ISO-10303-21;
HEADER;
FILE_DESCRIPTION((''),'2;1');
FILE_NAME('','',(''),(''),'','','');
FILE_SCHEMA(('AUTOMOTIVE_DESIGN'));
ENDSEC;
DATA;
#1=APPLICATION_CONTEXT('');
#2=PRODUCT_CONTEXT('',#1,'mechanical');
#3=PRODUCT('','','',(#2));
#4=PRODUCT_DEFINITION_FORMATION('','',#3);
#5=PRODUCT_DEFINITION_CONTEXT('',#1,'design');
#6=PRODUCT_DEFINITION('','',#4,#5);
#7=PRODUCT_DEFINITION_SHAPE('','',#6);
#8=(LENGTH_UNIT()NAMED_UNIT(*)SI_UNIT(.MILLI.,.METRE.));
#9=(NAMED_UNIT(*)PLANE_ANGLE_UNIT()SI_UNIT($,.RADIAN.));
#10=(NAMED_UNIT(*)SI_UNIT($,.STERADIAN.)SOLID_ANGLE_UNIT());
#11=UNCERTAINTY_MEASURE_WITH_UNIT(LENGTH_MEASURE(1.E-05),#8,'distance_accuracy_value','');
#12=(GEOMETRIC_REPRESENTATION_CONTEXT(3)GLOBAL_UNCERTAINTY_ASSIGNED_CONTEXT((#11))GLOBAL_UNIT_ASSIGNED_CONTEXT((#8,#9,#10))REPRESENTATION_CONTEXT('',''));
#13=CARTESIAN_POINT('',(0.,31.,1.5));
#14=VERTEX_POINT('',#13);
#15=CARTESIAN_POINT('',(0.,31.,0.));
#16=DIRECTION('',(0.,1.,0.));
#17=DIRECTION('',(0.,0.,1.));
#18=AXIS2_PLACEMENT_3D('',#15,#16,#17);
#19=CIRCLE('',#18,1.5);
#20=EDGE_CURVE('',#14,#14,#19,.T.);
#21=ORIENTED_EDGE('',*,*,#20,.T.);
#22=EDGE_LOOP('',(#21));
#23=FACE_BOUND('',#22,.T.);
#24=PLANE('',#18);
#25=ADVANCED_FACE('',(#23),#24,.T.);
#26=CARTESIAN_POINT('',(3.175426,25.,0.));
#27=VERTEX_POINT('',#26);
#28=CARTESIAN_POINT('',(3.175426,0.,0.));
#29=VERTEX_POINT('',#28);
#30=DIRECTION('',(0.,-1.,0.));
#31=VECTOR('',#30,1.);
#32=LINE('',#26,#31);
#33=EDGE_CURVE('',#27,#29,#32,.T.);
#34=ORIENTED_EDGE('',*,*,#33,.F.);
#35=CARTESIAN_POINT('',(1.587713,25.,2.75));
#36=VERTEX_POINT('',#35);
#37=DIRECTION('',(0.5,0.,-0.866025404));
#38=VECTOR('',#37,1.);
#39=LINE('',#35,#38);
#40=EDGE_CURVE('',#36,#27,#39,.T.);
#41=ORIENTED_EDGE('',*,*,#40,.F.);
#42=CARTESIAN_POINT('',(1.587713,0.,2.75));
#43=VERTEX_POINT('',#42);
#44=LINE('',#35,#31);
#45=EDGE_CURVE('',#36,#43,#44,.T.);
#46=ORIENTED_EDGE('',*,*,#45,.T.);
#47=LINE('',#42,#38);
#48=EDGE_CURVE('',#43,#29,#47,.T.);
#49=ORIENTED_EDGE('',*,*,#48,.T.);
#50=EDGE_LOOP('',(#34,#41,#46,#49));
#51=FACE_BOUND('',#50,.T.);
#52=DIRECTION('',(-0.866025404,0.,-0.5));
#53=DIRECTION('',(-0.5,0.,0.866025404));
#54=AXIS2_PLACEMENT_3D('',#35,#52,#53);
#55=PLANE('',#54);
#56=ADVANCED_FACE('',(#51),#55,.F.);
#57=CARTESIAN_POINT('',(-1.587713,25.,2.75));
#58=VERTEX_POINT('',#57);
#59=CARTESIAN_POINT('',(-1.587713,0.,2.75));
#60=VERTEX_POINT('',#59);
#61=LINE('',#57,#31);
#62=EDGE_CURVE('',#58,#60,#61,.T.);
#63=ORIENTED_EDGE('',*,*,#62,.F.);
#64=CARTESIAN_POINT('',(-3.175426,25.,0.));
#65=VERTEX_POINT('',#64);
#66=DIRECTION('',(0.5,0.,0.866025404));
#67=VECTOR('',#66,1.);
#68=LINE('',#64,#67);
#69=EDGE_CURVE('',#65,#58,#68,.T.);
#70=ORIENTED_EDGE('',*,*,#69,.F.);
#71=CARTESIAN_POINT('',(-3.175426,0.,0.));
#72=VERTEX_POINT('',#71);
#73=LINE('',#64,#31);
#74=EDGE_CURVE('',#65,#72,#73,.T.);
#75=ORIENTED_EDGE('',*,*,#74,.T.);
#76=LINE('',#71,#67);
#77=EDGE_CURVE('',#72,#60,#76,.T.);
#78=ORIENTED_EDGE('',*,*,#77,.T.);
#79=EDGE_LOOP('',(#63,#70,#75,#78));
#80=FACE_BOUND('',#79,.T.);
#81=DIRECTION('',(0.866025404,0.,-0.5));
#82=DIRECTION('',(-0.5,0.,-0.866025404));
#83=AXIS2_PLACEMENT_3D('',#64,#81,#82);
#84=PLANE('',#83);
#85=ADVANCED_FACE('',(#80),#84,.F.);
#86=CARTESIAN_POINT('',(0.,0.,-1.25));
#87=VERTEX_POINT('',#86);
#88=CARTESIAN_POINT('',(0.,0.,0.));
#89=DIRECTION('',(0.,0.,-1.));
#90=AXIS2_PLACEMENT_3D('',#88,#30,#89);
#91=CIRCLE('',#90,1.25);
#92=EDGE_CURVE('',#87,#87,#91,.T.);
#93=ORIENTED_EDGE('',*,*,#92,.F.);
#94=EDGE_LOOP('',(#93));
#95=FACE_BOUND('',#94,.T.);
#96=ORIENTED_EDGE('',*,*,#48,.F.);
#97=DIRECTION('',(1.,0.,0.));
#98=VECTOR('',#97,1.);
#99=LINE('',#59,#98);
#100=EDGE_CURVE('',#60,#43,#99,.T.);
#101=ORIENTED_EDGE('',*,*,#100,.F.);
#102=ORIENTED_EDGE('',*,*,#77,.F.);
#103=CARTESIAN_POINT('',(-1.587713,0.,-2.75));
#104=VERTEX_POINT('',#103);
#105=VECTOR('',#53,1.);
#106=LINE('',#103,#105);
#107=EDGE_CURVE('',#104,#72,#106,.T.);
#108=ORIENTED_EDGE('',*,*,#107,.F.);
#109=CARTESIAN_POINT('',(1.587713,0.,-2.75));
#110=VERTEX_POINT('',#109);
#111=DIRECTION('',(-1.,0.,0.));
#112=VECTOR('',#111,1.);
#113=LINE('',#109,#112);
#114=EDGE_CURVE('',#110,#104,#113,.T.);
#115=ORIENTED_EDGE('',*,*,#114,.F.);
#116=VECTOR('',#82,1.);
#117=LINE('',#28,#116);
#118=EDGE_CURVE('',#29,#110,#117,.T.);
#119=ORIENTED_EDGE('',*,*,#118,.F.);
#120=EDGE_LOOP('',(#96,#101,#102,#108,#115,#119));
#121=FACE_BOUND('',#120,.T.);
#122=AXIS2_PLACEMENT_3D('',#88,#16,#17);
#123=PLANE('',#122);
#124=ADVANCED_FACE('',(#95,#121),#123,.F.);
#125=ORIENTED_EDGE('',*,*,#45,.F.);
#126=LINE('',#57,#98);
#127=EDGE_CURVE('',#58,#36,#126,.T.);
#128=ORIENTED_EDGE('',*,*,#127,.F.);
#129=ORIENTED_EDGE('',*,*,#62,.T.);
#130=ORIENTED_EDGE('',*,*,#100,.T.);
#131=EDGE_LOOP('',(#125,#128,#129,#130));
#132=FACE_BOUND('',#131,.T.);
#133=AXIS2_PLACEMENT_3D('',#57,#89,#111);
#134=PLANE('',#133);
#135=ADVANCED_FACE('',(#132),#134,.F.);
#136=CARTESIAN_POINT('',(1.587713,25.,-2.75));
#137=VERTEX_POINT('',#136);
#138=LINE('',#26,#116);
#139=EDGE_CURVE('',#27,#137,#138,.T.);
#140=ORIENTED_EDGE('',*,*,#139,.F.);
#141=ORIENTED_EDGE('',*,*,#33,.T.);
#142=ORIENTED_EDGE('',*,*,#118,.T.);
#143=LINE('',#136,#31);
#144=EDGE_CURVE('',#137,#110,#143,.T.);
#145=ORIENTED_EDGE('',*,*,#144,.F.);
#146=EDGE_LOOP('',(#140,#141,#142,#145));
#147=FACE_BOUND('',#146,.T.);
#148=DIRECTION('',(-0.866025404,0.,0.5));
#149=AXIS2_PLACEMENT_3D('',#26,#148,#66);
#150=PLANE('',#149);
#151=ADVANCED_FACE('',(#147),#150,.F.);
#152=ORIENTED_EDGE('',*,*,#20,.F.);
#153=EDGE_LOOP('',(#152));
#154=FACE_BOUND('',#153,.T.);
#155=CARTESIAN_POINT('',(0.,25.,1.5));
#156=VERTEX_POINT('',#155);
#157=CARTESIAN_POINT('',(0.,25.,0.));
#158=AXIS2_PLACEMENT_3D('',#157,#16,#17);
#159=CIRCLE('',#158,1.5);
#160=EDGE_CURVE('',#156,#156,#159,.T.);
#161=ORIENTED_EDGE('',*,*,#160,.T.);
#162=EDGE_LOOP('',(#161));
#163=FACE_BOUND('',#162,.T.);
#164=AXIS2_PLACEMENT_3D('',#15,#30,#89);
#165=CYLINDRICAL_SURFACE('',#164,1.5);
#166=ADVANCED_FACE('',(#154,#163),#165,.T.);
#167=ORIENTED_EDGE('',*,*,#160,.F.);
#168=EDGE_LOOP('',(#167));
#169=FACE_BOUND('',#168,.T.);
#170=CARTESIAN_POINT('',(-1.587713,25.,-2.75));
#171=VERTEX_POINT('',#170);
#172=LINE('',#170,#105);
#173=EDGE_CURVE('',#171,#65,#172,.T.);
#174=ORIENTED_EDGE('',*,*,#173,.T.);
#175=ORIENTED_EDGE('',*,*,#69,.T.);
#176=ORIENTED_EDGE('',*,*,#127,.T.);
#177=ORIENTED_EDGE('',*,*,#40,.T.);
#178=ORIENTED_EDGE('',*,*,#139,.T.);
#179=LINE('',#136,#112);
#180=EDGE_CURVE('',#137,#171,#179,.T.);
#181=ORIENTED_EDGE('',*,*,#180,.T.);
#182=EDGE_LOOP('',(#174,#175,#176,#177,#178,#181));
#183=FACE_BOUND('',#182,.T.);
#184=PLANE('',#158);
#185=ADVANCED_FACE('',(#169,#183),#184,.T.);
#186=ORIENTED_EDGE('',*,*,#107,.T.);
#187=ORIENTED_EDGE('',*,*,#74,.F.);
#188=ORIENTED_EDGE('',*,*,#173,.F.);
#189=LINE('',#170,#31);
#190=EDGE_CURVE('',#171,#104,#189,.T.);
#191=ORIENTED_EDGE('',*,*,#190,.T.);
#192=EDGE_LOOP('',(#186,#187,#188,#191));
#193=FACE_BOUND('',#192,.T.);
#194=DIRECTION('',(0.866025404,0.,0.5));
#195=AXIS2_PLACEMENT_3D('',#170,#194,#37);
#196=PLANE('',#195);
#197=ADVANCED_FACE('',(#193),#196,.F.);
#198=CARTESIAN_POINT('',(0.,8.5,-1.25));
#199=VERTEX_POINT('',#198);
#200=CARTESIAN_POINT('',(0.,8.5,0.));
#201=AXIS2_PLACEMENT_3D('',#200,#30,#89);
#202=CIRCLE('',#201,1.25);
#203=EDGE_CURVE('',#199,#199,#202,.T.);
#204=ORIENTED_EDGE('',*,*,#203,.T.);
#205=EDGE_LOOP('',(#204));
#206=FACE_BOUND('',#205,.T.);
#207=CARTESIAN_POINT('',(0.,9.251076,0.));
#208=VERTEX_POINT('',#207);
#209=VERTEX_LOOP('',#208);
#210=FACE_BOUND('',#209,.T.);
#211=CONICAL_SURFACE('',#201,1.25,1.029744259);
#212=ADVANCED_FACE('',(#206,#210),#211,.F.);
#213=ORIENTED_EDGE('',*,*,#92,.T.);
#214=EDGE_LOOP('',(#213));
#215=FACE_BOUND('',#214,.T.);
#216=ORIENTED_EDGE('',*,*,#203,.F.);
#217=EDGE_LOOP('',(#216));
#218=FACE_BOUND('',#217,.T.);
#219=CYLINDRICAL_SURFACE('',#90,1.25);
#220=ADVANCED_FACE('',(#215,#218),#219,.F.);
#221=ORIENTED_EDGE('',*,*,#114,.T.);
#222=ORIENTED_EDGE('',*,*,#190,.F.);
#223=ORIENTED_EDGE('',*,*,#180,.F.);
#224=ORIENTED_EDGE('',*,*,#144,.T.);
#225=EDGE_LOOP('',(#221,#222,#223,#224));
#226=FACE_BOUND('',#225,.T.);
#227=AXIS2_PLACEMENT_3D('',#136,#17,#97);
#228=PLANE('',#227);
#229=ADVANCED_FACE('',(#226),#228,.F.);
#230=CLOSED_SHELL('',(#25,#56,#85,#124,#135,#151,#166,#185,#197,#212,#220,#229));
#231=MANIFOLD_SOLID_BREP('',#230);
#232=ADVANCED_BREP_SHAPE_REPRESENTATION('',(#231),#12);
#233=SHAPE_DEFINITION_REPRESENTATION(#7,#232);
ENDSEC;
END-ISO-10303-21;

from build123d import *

# Parameters (mm, degrees)
EXTRUDE_1_DEPTH = 25
SKETCH_2_R      = 1.5
EXTRUDE_2_DEPTH = 6
M3X0_5_1_D      = 2.5
M3X0_5_1_DEPTH  = 8.5
M3X0_5_1_TIP    = 0.751075774


with BuildPart() as part:
    # ｽｹｯﾁ1 → ﾎﾞｽ - 押し出し1 (new body)
    with BuildSketch(Plane(origin=(0, 0, 0), x_dir=(1, 0, 0), z_dir=(0, 1, 0))):
        Polygon((1.58771324, -2.75), (3.175426481, 0), (1.58771324, 2.75), (-1.58771324, 2.75), (-3.175426481, 0), (-1.58771324, -2.75), align=None)
    extrude(amount=EXTRUDE_1_DEPTH)

    # ｽｹｯﾁ2 → ﾎﾞｽ - 押し出し2 (add)
    with BuildSketch(Plane(origin=(0, 25, 0), x_dir=(1, 0, 0), z_dir=(0, 1, 0))):
        with Locations(Location((0, 0, 0), (0, 0, 270))):
            Circle(SKETCH_2_R)
    extrude(amount=EXTRUDE_2_DEPTH)

    # M3x0.5 ねじ穴1
    with Locations(Plane(origin=(0, 0, 0), x_dir=(0, 0, -1), z_dir=(0, -1, 0))):
        with Locations((0, 0)):
            Hole(M3X0_5_1_D / 2, depth=M3X0_5_1_DEPTH)
            with Locations((0, 0, -(M3X0_5_1_DEPTH + M3X0_5_1_TIP / 2))):  # 118° drill point
                Cone(0, M3X0_5_1_D / 2, M3X0_5_1_TIP, mode=Mode.SUBTRACT)


solid = part.part
